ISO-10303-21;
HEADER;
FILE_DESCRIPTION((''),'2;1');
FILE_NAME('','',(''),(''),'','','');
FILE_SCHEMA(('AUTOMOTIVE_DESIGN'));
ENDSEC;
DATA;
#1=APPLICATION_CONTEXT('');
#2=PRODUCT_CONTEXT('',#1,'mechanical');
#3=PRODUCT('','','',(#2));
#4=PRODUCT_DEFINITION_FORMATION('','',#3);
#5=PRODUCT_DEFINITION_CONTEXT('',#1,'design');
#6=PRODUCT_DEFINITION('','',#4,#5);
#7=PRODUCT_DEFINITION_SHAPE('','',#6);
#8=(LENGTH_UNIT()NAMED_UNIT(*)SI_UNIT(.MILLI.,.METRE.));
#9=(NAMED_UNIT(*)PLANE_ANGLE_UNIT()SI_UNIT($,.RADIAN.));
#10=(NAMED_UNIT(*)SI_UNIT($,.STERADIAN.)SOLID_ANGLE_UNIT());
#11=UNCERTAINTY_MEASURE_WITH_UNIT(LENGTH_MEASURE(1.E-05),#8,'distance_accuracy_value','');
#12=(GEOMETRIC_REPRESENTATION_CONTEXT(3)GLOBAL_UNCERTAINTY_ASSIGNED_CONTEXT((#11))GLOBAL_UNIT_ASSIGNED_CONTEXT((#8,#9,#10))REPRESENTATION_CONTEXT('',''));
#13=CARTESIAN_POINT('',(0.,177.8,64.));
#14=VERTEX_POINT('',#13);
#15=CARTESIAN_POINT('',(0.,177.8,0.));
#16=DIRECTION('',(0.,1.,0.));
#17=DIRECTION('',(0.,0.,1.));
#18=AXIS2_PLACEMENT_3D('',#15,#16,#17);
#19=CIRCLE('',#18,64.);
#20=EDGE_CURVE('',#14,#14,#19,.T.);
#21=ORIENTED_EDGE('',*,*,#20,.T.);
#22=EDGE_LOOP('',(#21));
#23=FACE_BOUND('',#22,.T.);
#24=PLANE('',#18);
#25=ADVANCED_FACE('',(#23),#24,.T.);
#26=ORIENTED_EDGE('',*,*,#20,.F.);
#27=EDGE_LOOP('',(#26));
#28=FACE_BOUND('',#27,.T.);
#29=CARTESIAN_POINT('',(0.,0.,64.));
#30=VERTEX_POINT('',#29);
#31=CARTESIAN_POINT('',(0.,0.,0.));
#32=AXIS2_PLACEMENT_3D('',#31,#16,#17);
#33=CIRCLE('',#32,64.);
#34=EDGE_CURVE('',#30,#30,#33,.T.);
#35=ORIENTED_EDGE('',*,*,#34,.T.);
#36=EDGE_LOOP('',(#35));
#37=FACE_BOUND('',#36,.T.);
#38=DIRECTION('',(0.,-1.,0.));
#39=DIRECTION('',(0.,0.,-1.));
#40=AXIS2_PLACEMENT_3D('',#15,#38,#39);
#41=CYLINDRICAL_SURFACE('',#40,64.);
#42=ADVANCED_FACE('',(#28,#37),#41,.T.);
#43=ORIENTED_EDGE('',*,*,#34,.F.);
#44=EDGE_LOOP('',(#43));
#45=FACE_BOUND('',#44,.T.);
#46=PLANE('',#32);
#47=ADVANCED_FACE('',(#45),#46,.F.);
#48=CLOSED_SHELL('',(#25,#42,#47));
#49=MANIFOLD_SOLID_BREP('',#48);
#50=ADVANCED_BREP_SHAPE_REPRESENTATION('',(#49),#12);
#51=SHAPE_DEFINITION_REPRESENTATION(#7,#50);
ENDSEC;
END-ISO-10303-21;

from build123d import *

# Parameters (mm, degrees)
SKETCH1_R           = 64.000000016
BOSS_EXTRUDE1_DEPTH = 177.8


with BuildPart() as part:
    # Sketch1 → Boss-Extrude1 (new body)
    with BuildSketch(Plane(origin=(0, 0, 0), x_dir=(1, 0, 0), z_dir=(0, 1, 0))):
        with Locations(Location((0, 0, 0), (0, 0, 270))):
            Circle(SKETCH1_R)
    extrude(amount=BOSS_EXTRUDE1_DEPTH)


solid = part.part
